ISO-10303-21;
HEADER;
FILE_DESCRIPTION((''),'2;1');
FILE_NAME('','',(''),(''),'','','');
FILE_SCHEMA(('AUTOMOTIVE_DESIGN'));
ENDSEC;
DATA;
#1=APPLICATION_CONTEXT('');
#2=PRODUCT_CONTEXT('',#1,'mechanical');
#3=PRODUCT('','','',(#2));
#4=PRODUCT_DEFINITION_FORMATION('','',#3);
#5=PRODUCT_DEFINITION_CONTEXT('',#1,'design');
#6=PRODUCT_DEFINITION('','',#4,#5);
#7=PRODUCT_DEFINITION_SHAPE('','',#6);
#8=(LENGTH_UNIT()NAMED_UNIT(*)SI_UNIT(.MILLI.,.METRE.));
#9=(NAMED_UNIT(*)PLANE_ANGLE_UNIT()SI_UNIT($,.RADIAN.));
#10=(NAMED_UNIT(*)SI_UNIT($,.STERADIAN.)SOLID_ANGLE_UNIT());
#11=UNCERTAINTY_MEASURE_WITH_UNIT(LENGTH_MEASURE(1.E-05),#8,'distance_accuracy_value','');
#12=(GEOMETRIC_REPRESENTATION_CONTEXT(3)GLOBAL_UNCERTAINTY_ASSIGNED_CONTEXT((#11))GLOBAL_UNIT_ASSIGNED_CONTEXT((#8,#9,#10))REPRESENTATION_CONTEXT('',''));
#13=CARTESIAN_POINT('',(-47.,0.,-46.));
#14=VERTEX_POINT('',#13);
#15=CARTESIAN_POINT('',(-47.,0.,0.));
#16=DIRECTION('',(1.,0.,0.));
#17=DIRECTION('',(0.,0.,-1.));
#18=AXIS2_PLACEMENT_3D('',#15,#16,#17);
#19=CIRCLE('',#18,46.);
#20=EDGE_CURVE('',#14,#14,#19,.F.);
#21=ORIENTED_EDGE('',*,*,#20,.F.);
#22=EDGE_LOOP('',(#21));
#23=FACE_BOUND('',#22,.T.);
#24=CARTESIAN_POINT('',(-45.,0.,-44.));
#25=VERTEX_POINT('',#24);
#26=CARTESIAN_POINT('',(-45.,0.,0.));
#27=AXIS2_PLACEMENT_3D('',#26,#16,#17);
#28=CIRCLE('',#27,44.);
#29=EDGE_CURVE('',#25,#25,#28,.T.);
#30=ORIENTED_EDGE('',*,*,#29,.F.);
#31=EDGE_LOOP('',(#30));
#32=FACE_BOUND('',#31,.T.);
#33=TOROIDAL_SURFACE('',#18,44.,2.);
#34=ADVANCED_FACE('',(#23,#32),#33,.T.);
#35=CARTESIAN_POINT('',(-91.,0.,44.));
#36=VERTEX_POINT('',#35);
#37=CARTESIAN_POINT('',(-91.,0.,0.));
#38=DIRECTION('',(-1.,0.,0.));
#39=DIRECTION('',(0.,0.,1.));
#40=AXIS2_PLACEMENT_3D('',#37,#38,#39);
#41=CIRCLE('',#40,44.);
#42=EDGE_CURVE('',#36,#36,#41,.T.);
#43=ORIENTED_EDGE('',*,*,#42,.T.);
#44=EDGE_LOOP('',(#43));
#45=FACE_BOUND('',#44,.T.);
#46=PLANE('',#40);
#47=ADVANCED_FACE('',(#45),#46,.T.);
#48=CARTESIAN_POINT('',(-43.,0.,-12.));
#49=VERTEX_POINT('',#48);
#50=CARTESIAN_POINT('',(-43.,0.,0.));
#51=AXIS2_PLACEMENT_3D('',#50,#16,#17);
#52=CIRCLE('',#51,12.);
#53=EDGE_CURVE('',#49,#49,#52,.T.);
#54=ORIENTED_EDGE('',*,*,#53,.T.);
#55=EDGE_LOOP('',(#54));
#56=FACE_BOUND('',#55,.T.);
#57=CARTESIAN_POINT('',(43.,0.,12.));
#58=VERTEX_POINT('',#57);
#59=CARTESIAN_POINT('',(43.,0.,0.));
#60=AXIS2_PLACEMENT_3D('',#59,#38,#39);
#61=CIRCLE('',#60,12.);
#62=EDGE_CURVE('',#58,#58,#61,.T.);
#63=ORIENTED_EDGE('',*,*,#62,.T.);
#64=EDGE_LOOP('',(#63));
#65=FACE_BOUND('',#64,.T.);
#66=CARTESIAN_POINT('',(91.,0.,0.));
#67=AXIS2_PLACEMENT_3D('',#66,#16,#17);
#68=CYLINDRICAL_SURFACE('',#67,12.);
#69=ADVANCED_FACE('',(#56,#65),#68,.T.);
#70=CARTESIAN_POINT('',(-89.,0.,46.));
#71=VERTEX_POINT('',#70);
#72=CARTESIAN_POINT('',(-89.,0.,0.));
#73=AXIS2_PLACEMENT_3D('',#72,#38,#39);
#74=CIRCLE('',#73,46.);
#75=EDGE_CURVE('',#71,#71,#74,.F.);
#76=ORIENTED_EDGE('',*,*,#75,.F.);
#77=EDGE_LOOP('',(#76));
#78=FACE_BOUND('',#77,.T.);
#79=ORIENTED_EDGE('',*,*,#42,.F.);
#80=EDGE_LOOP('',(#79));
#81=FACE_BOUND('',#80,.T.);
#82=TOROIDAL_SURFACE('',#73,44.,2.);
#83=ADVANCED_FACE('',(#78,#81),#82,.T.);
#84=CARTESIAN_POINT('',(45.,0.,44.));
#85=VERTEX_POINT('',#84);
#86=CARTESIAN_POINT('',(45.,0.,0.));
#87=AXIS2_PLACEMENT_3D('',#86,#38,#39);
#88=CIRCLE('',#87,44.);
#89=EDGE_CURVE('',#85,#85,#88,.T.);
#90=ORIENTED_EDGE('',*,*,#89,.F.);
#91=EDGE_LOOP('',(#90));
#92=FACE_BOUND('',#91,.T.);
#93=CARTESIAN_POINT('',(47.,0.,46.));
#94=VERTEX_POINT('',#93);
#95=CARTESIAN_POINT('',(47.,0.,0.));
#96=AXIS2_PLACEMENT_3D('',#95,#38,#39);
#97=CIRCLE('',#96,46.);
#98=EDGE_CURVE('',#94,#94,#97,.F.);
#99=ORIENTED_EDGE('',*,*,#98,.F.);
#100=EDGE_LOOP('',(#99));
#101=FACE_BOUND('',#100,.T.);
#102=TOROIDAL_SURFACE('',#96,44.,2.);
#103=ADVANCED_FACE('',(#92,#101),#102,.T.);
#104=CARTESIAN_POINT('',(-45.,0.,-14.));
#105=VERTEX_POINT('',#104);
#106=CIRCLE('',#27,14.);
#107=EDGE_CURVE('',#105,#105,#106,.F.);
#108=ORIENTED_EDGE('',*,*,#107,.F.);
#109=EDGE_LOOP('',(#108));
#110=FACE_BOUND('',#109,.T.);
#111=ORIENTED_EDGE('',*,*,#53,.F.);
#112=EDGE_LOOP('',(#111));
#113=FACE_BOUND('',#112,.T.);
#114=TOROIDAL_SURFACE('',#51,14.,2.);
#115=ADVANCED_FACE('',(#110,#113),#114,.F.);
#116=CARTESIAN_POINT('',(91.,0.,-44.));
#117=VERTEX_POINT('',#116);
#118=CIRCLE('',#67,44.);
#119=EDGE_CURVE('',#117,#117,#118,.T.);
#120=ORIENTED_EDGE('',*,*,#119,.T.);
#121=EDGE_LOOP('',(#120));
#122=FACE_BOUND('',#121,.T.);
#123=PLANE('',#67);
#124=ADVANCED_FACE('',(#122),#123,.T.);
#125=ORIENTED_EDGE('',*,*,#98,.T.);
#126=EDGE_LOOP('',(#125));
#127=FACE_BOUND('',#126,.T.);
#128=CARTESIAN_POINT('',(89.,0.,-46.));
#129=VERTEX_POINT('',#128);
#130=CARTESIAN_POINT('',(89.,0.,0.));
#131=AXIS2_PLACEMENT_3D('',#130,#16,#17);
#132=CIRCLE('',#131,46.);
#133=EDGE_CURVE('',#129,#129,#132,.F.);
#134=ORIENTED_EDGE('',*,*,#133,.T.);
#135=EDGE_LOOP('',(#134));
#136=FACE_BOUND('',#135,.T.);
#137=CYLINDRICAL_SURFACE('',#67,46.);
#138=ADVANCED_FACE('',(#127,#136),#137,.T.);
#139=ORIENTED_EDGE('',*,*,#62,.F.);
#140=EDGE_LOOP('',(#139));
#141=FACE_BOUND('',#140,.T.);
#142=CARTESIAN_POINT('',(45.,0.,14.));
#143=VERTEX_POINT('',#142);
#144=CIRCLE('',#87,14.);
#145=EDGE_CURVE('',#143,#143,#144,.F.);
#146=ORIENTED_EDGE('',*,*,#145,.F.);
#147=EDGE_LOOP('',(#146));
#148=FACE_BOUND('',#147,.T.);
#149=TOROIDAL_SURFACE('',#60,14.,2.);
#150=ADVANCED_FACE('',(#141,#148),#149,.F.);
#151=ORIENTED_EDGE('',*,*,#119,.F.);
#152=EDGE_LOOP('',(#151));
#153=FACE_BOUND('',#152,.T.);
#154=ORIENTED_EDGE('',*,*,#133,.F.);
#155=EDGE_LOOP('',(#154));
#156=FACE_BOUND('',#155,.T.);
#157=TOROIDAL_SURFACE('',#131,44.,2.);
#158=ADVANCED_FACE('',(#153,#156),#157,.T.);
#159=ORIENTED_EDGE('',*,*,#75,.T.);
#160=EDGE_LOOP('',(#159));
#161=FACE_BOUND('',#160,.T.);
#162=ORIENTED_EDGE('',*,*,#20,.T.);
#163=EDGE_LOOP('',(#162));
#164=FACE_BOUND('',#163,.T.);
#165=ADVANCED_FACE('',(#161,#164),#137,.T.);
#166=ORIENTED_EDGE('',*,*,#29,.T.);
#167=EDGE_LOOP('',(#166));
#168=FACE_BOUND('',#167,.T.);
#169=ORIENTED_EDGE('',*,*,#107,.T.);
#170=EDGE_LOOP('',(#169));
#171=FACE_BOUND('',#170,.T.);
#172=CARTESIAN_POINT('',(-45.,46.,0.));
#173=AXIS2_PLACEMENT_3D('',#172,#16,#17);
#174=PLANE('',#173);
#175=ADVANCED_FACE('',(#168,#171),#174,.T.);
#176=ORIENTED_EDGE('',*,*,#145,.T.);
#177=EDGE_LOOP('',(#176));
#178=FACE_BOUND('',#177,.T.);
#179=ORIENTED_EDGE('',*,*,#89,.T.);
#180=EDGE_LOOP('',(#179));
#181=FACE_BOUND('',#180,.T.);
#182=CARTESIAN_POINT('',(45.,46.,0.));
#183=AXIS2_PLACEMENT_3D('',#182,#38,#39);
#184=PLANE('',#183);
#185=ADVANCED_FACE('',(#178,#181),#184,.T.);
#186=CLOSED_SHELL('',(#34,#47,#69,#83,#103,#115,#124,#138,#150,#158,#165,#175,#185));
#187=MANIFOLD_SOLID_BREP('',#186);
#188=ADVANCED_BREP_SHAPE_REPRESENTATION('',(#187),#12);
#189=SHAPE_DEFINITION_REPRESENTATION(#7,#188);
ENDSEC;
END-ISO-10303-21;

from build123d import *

# Parameters (mm, degrees)
FILLET1_R = 2


with BuildPart() as part:
    # Sketch1 → Revolve1 (revolve)
    with BuildSketch(Plane.XY, mode=Mode.PRIVATE) as revolve1_sk:
        Polygon((91, 0), (-91, 0), (-91, 46), (-45, 46), (-45, 12), (45, 12), (45, 46), (91, 46), align=None)
    revolve(revolve1_sk.sketch.rotate(Axis((91, 0, 0), (-1, 0, 0)), 90), axis=Axis((91, 0, 0), (-1, 0, 0)))

    # Fillet1
    fillet1_edges = [part.edges().sort_by_distance(p)[0] for p in [
        (-91, 0, 46),
        (-45, 0, 46),
        (-45, 0, 12),
        (45, 0, 12),
        (45, 0, 46),
        (91, 0, 46),
    ]]
    fillet(fillet1_edges, radius=FILLET1_R)


solid = part.part
